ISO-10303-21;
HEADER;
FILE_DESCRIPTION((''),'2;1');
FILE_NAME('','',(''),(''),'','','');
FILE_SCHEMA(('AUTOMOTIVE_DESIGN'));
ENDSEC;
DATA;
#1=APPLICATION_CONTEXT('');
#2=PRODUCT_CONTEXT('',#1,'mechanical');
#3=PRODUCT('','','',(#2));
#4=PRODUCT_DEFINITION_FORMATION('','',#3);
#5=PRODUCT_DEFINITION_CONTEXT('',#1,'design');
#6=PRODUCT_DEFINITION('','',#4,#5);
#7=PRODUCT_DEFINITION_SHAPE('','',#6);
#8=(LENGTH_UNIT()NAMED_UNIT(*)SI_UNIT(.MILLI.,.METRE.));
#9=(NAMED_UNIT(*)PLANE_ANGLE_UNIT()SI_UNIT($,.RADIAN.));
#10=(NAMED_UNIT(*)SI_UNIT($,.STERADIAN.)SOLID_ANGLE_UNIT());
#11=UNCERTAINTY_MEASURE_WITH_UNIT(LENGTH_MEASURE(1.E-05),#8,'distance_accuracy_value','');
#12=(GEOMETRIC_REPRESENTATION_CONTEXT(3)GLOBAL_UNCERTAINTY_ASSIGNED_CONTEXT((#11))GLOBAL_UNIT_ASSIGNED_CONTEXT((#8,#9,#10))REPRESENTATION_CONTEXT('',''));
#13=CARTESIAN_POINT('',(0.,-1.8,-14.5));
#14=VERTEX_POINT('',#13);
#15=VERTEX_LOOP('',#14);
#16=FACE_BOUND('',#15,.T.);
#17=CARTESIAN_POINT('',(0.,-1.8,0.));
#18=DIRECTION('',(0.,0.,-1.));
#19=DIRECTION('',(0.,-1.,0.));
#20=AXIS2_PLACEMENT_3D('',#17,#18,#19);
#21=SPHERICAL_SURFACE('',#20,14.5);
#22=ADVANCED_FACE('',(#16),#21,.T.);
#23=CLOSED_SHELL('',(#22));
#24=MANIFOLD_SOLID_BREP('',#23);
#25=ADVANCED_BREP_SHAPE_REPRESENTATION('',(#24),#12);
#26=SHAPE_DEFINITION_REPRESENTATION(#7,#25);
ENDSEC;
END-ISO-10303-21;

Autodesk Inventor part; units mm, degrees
ref_plane "YZ Plane" through (0, 0, 0) normal (1, 0, 0) x (0, 1, 0)
ref_plane "XZ Plane" through (0, 0, 0) normal (0, 1, 0) x (-1, 0, 0)
ref_plane "XY Plane" through (0, 0, 0) normal (0, 0, 1) x (1, 0, 0)
sketch "Sketch1" plane through (0, 0, 0) normal (1, 0, 0) x (0, 1, 0)
  arc A0 (-1.8, 14.5) -> (-1.8, -14.5) centre (-1.8, 0) ccw
  line L0 (-1.8, 14.5) -> (-1.8, -14.5)
  point P0 (0, 0)
  point P1 (-16.3, 0)
  dimension "d0" = 90
revolve "Revolution1" add sketch "Sketch1" angle 360 about axis through (0, -1.8, 14.5) along (0, 0, -1)
properties part number "Brassweight" material "Brass, Soft Yellow"
